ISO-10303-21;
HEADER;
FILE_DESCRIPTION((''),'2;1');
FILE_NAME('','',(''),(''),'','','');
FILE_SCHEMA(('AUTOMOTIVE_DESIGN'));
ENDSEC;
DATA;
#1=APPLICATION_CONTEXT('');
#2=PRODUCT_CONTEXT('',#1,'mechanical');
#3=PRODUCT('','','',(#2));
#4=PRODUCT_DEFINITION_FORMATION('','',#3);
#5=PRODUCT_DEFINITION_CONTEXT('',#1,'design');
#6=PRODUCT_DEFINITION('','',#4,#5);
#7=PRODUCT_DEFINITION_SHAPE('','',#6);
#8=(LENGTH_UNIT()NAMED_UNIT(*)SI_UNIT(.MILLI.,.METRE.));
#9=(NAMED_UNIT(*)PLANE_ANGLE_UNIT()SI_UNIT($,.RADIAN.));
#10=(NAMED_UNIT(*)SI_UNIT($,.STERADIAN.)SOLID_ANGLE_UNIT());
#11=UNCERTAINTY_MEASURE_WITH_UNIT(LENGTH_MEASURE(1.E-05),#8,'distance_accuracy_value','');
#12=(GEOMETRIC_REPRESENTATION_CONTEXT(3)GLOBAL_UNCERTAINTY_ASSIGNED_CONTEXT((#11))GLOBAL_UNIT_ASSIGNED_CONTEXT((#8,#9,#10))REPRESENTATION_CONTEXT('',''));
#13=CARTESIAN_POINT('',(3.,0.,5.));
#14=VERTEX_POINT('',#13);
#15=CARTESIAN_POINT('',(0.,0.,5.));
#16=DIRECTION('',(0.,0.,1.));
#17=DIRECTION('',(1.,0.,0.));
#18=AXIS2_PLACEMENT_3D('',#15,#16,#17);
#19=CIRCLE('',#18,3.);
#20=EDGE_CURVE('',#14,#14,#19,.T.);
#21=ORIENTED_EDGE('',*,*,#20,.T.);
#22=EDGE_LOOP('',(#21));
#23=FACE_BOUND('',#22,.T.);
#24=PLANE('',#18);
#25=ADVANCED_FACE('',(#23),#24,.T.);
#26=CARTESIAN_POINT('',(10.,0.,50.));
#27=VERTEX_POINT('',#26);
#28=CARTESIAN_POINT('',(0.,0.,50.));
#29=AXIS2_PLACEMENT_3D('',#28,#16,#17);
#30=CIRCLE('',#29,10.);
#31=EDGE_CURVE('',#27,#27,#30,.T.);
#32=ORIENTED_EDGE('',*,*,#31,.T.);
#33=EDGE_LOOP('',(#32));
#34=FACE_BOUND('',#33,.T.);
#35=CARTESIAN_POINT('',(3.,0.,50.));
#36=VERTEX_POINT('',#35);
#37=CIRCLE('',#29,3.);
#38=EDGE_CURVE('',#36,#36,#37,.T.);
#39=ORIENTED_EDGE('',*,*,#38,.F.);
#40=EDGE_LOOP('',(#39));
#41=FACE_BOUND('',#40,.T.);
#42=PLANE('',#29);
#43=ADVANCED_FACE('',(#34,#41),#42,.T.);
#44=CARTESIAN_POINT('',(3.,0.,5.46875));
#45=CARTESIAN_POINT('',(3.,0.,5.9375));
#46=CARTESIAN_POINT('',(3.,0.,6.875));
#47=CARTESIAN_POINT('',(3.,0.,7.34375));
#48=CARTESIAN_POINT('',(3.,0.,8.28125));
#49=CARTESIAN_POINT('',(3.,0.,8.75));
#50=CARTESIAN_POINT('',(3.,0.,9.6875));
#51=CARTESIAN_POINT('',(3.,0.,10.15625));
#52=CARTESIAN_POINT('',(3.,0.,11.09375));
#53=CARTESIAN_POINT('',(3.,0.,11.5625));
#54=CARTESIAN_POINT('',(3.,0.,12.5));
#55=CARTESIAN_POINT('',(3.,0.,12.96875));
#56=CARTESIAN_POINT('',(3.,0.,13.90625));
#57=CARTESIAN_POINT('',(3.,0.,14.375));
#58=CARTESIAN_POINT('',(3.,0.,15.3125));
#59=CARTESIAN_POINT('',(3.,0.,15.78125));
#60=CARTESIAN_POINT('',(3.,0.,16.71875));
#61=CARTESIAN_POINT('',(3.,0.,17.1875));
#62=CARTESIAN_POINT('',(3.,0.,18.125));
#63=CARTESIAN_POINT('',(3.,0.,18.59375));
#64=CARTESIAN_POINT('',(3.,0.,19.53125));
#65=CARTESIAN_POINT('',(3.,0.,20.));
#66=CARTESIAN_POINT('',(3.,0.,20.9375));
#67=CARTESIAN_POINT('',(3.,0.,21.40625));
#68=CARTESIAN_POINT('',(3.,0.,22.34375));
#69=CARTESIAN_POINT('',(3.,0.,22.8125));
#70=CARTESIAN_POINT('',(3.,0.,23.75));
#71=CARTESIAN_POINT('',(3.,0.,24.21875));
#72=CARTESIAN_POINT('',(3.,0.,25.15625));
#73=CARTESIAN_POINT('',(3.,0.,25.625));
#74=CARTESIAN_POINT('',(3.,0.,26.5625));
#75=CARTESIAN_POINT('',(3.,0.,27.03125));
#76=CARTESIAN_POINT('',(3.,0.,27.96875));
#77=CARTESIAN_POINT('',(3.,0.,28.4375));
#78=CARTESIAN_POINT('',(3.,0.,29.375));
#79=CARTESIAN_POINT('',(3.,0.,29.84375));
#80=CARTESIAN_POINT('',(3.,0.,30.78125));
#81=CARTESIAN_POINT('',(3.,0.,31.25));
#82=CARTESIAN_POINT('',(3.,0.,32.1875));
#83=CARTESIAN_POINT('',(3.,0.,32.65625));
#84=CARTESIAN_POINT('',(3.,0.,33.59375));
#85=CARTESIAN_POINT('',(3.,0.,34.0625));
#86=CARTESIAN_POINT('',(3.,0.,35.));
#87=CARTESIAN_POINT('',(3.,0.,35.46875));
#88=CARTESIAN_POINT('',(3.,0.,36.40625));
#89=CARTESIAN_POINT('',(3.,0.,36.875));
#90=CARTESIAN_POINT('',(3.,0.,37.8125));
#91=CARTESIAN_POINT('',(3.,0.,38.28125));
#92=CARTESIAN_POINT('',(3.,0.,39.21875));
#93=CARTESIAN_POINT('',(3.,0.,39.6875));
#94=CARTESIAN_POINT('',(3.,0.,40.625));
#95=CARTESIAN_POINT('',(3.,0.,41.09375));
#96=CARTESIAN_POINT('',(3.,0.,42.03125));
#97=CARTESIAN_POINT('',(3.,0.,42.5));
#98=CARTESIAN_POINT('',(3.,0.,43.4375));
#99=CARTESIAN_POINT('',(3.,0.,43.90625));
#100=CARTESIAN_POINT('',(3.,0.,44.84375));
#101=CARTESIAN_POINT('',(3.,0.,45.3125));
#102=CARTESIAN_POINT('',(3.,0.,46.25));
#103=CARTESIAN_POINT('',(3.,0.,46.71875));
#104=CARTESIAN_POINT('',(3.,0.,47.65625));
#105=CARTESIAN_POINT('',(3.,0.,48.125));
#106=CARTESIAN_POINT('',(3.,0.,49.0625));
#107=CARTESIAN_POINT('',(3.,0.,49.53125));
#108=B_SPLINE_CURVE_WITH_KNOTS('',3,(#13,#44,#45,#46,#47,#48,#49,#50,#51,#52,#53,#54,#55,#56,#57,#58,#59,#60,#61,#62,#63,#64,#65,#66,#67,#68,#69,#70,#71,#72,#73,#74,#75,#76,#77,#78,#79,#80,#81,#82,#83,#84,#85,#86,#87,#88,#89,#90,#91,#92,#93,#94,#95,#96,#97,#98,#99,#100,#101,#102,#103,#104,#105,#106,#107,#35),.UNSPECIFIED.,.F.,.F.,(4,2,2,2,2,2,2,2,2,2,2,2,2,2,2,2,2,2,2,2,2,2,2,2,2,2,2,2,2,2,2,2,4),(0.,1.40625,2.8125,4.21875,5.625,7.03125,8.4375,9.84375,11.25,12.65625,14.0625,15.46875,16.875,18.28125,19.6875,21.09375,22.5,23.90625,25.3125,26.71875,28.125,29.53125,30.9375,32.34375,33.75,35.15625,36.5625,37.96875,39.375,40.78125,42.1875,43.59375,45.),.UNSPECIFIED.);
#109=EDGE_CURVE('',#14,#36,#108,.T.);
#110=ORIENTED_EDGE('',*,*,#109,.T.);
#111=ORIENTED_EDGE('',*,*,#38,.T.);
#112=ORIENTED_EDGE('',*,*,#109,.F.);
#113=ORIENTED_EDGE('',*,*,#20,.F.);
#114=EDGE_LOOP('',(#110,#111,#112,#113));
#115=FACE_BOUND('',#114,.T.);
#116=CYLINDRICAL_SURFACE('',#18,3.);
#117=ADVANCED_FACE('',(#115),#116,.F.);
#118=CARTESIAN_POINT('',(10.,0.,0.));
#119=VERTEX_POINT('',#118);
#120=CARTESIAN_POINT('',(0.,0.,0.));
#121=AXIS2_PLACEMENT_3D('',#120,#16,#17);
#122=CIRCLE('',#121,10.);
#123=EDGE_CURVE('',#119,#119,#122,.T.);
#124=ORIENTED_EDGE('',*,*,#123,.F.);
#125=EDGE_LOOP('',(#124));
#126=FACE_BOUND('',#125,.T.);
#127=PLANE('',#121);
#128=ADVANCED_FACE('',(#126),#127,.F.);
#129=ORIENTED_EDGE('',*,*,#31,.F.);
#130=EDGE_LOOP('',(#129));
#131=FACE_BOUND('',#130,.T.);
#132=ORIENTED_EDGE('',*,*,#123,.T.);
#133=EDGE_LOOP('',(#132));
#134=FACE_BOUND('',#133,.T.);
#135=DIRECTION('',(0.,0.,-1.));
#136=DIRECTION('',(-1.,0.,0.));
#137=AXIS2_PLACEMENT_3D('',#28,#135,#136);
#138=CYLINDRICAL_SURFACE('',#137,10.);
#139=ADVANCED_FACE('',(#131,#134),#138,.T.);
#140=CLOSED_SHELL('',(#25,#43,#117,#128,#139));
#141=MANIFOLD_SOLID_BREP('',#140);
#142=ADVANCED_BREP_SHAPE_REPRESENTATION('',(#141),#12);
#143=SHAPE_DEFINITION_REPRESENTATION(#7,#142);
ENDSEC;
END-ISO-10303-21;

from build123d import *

# Parameters (mm, degrees)
IZIM1_R                     = 10
Y_KSEKLIK_EKSTR_ZYON1_DEPTH = 50
IZIM2_R                     = 3
KES_EKSTR_ZYON1_DEPTH       = 45


with BuildPart() as part:
    # Çizim1 → Yükseklik-Ekstrüzyon1 (new body)
    with BuildSketch(Plane.XY):
        Circle(IZIM1_R)
    extrude(amount=Y_KSEKLIK_EKSTR_ZYON1_DEPTH)

    # Çizim2 → Kes-Ekstrüzyon1 (cut)
    with BuildSketch(Plane.XY.offset(50)):
        Circle(IZIM2_R)
    extrude(amount=-KES_EKSTR_ZYON1_DEPTH, mode=Mode.SUBTRACT)


solid = part.part
